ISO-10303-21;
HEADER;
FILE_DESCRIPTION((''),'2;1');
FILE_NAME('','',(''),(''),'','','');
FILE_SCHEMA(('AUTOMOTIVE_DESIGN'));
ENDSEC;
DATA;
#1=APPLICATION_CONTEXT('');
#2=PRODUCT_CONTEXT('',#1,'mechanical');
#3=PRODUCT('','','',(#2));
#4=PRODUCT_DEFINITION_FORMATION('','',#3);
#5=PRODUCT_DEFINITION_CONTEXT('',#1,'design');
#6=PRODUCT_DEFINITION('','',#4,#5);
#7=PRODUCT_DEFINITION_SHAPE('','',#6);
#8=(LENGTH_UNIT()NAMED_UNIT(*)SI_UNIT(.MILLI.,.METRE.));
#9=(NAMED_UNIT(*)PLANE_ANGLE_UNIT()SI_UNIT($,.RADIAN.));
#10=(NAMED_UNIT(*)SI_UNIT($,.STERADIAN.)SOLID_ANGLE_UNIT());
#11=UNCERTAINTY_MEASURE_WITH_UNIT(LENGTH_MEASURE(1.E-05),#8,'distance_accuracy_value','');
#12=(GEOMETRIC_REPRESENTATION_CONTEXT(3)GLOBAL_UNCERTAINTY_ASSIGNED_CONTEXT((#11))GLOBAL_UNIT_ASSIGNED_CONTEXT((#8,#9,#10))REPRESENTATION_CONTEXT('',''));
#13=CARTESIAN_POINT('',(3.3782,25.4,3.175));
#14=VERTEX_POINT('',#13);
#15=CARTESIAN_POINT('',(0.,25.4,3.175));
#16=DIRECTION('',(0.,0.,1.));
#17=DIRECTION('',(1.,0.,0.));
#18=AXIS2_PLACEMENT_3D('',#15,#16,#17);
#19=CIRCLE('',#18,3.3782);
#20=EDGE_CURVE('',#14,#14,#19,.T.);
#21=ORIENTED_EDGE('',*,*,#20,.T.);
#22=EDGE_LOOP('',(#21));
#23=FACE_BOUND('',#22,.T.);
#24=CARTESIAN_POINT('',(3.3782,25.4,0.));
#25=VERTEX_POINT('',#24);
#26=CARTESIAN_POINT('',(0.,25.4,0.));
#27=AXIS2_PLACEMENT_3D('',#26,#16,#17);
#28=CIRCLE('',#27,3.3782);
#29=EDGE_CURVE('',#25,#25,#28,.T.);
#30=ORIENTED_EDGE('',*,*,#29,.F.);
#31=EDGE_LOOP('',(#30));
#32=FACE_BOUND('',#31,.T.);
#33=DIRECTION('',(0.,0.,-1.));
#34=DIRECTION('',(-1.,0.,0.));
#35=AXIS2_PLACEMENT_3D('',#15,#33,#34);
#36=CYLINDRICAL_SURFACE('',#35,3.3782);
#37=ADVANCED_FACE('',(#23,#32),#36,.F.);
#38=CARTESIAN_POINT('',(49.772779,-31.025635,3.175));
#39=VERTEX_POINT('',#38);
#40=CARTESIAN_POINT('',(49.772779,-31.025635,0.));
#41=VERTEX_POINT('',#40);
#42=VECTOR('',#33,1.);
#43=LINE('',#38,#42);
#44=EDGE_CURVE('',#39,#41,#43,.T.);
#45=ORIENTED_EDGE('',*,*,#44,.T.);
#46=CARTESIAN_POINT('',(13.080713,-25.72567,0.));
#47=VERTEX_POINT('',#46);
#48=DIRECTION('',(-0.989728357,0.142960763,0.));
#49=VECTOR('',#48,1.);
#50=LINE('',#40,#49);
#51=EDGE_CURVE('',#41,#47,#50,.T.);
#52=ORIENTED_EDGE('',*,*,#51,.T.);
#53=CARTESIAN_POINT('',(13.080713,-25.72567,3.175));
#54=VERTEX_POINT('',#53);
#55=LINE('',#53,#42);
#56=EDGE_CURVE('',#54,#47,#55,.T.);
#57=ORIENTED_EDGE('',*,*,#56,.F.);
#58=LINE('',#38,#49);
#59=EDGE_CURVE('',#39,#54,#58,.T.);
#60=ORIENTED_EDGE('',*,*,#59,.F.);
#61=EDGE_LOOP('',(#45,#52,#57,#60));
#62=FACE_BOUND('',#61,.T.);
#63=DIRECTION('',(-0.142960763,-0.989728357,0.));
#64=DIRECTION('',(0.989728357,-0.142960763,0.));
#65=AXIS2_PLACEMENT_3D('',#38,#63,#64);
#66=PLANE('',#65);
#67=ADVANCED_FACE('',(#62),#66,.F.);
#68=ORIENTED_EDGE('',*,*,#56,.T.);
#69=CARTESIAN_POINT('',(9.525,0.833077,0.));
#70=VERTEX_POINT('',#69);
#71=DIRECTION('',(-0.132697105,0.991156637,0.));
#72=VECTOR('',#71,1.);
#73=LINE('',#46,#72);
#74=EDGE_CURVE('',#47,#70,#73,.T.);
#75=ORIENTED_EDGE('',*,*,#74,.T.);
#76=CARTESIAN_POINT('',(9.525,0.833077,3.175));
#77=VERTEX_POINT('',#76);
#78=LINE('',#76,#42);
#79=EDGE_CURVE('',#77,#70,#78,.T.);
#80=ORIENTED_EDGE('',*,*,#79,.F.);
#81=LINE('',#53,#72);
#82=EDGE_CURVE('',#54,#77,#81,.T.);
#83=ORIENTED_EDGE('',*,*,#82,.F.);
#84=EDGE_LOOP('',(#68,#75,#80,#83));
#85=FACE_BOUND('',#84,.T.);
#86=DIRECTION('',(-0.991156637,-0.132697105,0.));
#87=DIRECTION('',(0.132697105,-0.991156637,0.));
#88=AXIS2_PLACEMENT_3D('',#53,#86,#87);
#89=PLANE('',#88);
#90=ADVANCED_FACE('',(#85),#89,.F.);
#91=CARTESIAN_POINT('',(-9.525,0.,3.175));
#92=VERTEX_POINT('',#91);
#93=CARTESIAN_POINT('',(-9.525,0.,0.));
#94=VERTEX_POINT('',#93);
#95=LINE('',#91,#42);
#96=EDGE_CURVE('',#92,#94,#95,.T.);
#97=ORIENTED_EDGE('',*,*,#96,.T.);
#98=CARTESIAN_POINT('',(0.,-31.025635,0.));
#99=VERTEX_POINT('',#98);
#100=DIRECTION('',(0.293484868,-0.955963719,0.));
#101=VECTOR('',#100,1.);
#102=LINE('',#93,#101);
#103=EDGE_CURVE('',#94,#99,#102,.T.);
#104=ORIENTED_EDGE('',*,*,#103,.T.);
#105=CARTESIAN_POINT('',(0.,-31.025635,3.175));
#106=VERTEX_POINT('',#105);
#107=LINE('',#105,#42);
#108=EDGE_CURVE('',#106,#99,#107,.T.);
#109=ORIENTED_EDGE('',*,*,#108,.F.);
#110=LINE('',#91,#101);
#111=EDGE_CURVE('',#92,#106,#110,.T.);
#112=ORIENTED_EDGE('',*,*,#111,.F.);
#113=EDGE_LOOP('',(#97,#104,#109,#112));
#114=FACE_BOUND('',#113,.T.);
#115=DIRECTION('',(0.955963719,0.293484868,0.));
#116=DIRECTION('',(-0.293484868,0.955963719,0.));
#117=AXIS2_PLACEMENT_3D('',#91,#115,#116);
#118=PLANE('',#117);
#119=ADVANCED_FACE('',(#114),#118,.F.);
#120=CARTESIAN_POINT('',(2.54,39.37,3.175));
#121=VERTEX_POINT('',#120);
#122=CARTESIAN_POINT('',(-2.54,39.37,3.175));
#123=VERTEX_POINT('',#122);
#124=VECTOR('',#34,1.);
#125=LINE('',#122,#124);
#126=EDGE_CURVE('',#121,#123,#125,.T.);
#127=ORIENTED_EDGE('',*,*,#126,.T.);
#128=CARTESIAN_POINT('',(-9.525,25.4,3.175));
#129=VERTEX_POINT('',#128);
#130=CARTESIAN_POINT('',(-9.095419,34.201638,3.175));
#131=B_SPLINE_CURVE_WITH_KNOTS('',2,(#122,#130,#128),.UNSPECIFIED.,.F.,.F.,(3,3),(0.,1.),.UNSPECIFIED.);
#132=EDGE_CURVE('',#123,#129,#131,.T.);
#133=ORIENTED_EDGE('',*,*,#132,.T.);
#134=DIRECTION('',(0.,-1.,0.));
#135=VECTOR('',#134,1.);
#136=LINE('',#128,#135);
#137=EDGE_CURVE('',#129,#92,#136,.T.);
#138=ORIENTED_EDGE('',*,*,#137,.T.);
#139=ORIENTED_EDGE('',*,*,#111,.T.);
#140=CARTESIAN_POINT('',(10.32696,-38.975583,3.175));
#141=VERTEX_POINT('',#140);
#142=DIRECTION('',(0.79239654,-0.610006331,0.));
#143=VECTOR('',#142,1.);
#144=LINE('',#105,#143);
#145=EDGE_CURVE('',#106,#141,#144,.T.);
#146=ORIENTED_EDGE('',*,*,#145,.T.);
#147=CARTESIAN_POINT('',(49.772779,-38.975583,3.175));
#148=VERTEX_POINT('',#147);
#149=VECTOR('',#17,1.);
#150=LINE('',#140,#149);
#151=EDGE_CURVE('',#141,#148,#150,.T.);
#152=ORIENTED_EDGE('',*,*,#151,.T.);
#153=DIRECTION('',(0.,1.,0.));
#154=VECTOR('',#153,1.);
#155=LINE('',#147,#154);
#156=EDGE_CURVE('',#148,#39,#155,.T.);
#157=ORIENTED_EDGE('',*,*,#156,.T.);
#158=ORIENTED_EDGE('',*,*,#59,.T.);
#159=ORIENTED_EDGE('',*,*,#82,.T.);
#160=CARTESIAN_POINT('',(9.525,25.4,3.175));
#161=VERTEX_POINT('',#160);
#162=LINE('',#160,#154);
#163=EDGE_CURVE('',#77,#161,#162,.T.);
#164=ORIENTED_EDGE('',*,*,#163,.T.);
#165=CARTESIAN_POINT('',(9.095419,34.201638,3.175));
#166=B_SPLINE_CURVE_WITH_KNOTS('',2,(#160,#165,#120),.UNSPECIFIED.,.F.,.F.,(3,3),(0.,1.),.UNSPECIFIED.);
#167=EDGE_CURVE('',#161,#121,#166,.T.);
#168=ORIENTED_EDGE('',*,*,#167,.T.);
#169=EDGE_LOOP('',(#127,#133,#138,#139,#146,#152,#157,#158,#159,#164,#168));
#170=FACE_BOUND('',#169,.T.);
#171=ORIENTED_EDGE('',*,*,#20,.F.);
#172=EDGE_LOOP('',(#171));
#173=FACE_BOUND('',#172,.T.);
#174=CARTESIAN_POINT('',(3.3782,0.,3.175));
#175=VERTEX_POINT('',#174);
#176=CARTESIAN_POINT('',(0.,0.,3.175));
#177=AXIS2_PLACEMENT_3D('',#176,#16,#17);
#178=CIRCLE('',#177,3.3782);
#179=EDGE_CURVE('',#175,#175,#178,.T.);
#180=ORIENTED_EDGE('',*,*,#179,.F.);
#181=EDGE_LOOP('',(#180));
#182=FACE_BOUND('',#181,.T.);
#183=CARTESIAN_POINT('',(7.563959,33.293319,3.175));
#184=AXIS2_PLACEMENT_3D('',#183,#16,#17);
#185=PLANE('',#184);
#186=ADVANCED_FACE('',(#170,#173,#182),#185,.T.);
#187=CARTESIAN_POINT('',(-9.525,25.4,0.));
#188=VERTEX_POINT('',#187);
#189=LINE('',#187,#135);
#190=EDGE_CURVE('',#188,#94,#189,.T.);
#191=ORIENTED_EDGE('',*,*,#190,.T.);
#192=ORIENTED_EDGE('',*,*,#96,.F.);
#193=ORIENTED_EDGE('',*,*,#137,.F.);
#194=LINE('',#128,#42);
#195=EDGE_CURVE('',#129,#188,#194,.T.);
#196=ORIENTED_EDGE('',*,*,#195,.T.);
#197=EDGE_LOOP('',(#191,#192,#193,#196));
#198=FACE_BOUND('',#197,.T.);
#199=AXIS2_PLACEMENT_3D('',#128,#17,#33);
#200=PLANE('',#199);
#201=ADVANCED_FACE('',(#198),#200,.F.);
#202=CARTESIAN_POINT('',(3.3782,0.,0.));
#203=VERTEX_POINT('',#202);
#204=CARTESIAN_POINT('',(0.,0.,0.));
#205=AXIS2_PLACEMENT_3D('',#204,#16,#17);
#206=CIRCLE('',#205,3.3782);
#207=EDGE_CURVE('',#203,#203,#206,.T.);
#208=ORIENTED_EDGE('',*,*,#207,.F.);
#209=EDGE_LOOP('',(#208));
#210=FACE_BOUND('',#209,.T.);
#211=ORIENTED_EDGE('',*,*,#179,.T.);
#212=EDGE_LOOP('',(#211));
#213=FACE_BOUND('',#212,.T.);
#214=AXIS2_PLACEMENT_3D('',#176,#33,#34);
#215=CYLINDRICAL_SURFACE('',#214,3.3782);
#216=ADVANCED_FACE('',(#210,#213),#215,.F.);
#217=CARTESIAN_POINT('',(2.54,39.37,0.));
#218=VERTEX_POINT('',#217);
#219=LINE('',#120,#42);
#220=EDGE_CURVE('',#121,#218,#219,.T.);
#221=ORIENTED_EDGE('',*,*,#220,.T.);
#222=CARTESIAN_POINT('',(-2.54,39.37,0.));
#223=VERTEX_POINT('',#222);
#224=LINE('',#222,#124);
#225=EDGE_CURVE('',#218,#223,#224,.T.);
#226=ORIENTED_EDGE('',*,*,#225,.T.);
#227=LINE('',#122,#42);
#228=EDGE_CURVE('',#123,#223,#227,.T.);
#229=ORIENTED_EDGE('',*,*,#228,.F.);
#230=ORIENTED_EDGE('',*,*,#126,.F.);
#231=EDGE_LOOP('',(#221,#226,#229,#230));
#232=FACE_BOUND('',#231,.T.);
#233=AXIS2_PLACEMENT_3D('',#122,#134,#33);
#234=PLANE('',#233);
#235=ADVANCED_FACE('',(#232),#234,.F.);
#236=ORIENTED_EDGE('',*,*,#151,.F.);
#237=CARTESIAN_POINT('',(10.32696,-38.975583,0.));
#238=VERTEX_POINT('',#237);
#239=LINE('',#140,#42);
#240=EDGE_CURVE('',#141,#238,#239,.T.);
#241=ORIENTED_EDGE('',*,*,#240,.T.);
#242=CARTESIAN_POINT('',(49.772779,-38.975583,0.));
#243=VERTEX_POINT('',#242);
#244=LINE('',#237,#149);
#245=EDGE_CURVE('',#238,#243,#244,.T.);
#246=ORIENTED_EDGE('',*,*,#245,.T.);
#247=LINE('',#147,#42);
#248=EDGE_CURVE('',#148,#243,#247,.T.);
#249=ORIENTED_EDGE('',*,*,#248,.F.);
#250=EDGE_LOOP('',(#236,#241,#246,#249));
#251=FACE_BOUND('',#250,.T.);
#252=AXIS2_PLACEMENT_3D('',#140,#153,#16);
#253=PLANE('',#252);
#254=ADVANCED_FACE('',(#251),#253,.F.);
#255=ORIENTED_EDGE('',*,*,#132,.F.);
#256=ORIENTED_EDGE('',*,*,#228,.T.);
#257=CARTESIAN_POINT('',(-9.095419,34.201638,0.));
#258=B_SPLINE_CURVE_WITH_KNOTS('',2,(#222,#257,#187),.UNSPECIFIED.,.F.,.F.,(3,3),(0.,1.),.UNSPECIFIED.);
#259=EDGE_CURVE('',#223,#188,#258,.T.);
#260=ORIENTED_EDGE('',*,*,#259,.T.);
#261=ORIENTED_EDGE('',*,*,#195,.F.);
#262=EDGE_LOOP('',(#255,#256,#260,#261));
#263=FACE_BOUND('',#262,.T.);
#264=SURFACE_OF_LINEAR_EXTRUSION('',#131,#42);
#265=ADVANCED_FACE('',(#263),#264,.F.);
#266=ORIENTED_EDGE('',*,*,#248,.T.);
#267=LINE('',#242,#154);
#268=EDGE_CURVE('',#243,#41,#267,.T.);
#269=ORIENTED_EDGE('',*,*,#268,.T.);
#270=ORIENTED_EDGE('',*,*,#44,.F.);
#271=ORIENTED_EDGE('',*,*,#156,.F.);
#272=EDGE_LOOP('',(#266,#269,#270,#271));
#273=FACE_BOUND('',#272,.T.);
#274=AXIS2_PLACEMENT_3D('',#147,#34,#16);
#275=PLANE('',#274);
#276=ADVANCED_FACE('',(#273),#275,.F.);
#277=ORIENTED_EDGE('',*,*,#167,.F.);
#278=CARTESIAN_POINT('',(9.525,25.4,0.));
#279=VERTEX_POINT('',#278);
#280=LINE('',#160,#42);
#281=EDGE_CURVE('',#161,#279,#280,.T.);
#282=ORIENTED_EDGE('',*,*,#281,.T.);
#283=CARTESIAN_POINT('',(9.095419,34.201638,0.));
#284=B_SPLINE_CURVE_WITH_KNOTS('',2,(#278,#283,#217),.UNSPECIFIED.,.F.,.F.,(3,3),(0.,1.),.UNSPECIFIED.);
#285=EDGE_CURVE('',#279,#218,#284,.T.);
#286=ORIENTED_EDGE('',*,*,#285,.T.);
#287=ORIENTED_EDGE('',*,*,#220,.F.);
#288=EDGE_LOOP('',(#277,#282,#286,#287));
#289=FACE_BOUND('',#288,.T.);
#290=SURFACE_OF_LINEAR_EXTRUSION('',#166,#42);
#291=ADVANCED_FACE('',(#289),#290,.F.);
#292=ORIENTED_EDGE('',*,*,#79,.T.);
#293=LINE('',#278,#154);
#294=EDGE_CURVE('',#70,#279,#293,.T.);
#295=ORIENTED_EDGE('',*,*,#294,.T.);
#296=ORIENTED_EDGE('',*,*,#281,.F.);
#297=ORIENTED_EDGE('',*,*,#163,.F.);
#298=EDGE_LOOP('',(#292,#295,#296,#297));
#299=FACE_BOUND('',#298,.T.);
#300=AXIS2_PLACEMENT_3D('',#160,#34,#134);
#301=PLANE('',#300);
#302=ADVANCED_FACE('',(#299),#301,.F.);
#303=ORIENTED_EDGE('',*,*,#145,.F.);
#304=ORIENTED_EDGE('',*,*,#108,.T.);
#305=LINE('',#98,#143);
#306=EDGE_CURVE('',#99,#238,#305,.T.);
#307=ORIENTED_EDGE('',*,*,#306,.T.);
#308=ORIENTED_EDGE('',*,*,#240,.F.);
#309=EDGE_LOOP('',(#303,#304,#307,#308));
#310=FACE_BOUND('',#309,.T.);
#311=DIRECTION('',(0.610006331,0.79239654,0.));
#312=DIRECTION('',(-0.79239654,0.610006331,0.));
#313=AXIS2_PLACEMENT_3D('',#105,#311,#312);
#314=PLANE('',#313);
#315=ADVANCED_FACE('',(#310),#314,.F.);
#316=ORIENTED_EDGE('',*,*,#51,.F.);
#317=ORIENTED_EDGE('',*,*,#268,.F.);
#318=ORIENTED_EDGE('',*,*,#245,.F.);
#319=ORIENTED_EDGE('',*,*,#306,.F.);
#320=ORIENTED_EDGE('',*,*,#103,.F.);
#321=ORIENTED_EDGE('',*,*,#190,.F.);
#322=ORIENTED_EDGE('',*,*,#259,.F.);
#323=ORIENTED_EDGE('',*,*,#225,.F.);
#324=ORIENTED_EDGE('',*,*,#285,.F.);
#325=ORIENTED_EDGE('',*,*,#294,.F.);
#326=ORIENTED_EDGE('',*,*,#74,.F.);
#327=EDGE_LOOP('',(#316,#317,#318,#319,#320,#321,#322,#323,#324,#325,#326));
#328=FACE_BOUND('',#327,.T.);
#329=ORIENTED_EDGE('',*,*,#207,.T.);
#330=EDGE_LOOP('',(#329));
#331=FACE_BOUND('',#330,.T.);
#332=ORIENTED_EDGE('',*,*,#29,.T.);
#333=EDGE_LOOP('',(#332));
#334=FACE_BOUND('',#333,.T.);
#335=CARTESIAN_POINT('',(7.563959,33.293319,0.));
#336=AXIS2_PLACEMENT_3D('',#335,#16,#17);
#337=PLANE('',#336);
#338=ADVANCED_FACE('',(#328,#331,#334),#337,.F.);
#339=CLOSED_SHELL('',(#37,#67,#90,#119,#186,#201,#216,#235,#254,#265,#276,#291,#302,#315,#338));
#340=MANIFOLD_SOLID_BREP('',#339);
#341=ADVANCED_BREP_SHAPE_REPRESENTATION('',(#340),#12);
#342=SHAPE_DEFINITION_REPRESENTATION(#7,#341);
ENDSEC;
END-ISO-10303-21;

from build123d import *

# Parameters (mm, degrees)
SKETCH1_R           = 3.3782
BOSS_EXTRUDE1_DEPTH = 3.175


with BuildPart() as part:
    # Sketch1 → Boss-Extrude1 (new body)
    with BuildSketch(Plane.XY):
        with BuildLine():
            Line((-2.54, 39.37), (2.54, 39.37))
            add(Edge.make_bspline(
                [(2.54, 39.37), (9.095418915, 34.201637521), (9.525, 25.4)],
                knots=[0, 0, 0, 1, 1, 1], degree=2))
            Line((9.525, 25.4), (9.525, 0.833077402))
            Line((9.525, 0.833077402), (13.080713372, -25.725670045))
            Line((13.080713372, -25.725670045), (49.772779476, -31.025635149))
            Line((49.772779476, -31.025635149), (49.772779476, -38.975582805))
            Line((49.772779476, -38.975582805), (10.326960053, -38.975582805))
            Line((10.326960053, -38.975582805), (0, -31.025635149))
            Line((0, -31.025635149), (-9.525, 0))
            Line((-9.525, 0), (-9.525, 25.4))
            add(Edge.make_bspline(
                [(-2.54, 39.37), (-9.095418915, 34.201637521), (-9.525, 25.4)],
                knots=[0, 0, 0, 1, 1, 1], degree=2))
        make_face()
        with Locations((0, 25.4)):
            Circle(SKETCH1_R, mode=Mode.SUBTRACT)
        Circle(SKETCH1_R, mode=Mode.SUBTRACT)
    extrude(amount=BOSS_EXTRUDE1_DEPTH)


solid = part.part
